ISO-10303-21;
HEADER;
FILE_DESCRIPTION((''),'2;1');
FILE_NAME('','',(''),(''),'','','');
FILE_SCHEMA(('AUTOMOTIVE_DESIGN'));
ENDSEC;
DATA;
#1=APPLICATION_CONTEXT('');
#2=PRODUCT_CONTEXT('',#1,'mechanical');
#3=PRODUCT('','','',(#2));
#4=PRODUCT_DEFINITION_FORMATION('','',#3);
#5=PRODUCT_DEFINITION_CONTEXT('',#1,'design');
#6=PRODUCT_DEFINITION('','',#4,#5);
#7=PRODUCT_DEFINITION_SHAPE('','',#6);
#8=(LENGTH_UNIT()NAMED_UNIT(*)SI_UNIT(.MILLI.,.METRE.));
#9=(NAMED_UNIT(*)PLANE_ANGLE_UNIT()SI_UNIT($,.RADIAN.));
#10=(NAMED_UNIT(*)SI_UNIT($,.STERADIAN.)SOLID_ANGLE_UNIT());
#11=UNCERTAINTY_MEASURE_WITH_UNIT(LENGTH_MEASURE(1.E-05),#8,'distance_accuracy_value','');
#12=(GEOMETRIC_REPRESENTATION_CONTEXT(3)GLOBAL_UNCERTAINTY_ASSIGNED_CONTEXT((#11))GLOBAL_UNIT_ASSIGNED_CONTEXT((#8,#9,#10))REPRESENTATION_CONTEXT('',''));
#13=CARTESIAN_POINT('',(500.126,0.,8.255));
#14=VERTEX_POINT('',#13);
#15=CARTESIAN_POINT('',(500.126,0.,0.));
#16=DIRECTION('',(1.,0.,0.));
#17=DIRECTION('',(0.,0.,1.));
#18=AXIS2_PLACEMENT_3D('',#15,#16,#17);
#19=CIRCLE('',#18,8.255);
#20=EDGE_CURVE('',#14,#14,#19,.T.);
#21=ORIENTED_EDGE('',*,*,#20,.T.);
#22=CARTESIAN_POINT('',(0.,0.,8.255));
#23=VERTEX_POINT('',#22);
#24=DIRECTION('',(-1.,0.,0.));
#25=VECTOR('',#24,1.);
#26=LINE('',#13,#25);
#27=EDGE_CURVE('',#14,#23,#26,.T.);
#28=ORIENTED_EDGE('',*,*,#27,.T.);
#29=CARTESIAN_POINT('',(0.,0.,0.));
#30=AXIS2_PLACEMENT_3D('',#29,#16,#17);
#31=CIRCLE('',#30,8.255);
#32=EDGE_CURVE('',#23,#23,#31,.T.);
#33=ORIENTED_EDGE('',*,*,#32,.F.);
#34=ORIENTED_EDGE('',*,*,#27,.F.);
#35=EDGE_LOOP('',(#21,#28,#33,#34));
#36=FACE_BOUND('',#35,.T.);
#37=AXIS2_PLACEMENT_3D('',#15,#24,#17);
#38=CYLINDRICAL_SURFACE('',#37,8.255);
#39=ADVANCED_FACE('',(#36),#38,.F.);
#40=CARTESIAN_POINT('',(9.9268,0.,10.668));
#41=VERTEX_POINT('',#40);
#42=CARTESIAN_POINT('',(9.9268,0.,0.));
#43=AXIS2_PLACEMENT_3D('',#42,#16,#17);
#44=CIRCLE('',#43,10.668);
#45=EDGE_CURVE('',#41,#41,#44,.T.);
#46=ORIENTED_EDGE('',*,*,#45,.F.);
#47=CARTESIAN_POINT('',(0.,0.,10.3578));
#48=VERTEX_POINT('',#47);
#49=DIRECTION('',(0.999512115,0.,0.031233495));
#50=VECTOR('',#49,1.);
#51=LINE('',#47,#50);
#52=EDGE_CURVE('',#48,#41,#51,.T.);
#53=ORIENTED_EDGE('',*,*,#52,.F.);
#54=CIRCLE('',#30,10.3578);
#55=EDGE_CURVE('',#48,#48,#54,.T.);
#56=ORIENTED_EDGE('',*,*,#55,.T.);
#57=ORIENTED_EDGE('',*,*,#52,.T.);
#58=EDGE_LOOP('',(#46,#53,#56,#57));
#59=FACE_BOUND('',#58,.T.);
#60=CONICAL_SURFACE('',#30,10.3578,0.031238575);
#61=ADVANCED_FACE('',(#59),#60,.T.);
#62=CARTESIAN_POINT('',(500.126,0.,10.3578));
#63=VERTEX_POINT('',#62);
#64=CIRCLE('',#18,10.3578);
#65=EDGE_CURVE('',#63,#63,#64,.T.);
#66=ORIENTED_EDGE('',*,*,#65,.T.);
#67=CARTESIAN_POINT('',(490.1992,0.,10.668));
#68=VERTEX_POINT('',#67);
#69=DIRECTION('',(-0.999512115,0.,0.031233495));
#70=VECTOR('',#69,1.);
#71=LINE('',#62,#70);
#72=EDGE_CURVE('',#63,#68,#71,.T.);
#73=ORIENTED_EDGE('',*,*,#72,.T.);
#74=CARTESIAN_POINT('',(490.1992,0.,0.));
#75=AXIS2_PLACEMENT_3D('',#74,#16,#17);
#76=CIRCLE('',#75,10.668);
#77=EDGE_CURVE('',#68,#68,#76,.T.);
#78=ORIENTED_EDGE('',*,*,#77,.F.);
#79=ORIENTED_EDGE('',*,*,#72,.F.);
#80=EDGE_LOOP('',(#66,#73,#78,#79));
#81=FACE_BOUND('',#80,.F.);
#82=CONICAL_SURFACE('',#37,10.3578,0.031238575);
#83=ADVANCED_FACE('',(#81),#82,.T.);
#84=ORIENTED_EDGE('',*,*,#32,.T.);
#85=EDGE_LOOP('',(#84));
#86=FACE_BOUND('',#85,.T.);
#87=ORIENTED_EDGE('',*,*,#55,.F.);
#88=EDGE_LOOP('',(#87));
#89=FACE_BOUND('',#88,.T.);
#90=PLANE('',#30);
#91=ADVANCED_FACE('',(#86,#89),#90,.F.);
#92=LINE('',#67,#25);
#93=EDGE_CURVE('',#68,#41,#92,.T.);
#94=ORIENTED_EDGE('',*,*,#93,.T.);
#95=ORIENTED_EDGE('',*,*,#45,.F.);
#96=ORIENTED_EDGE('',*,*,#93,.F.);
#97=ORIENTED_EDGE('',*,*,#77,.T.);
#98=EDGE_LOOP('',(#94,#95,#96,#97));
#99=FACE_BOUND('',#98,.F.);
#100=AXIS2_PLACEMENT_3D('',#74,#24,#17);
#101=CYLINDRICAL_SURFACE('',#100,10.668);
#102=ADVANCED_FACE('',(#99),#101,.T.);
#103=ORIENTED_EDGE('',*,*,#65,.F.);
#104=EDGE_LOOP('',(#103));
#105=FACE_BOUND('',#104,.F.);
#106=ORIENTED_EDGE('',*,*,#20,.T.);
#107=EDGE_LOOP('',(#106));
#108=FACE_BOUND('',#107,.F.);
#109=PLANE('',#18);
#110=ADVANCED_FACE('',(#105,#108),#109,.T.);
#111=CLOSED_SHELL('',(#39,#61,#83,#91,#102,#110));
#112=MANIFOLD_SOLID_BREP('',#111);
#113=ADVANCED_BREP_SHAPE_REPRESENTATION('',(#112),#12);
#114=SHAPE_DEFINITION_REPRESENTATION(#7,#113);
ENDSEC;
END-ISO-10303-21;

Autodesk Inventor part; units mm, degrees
ref_plane "YZ Plane" through (0, 0, 0) normal (1, 0, 0) x (0, 1, 0)
ref_plane "XZ Plane" through (0, 0, 0) normal (0, 1, 0) x (-1, 0, 0)
ref_plane "XY Plane" through (0, 0, 0) normal (0, 0, 1) x (1, 0, 0)
sketch "Sketch1" plane through (0, 0, 0) normal (0, 1, 0) x (-1, 0, 0)
  line L0 (0, 0) -> (-500.126, 0)
  line L1 (-500.126, 0) -> (-500.126, 8.255) construction
  line L2 (-500.126, 8.255) -> (-500.126, 10.3578)
  line L3 (-500.126, 10.3578) -> (-490.1992, 10.668)
  line L4 (-490.1992, 10.668) -> (-9.9268, 10.668)
  line L5 (-250.063, 0) -> (-250.063, 10.668) construction
  line L6 (-500.126, 8.255) -> (0, 8.255)
  line L7 (0, 0) -> (0, 8.255) construction
  line L8 (0, 8.255) -> (0, 10.3578)
  line L9 (0, 10.3578) -> (-9.9268, 10.668)
  line L10 (-486.57, 10.7814) -> (-486.57, 0) construction
  line L11 (-13.556, 10.7814) -> (-13.556, 0) construction
  line L12 (-490.1992, 10.668) -> (-486.57, 10.7814) construction
  line L13 (-490.1992, 10.668) -> (-490.1992, 0) construction
  line L14 (-9.9268, 10.668) -> (-13.556, 10.7814) construction
  line L15 (-9.9268, 10.668) -> (-9.9268, 0) construction
  dimension "d0" = 21.336
  dimension "d1" = 1.79
  dimension "d2" = 16.51
  dimension "d3" = 500.126
  dimension "d4" = 13.556
  dimension "d5" = 21.5628
revolve "Revolution1" add sketch "Sketch1" angle 360 about axis through (0, 0, 0) along (1, 0, 0)
thread "Thread1" size "1/2" designation "1/2 - 14 NPT" standard "NPT" full length
thread "Thread2" size "1/2" designation "1/2 - 14 NPT" standard "NPT" full length
equation "\"d0\" = OD"
equation "\"d2\" = ID"
equation "\"d3\" = L"
equation "\"d4\" = L2"
equation "\"d5\" = D2"
equation "\"OD\" = 21.336"
equation "\"t\" = 2.413"
equation "\"L\" = PL"
equation "\"L4\" = 19.8501"
equation "\"ID\" = 16.51"
equation "\"PL\" = 500.126"
equation "\"D2\" = 21.56282"
equation "\"L2\" = 13.55598"
equation "\"Size_Designation\" = 1.2345"
equation "\"PLmin\" = 2 * L2"
properties material "Steel, Wrought"
